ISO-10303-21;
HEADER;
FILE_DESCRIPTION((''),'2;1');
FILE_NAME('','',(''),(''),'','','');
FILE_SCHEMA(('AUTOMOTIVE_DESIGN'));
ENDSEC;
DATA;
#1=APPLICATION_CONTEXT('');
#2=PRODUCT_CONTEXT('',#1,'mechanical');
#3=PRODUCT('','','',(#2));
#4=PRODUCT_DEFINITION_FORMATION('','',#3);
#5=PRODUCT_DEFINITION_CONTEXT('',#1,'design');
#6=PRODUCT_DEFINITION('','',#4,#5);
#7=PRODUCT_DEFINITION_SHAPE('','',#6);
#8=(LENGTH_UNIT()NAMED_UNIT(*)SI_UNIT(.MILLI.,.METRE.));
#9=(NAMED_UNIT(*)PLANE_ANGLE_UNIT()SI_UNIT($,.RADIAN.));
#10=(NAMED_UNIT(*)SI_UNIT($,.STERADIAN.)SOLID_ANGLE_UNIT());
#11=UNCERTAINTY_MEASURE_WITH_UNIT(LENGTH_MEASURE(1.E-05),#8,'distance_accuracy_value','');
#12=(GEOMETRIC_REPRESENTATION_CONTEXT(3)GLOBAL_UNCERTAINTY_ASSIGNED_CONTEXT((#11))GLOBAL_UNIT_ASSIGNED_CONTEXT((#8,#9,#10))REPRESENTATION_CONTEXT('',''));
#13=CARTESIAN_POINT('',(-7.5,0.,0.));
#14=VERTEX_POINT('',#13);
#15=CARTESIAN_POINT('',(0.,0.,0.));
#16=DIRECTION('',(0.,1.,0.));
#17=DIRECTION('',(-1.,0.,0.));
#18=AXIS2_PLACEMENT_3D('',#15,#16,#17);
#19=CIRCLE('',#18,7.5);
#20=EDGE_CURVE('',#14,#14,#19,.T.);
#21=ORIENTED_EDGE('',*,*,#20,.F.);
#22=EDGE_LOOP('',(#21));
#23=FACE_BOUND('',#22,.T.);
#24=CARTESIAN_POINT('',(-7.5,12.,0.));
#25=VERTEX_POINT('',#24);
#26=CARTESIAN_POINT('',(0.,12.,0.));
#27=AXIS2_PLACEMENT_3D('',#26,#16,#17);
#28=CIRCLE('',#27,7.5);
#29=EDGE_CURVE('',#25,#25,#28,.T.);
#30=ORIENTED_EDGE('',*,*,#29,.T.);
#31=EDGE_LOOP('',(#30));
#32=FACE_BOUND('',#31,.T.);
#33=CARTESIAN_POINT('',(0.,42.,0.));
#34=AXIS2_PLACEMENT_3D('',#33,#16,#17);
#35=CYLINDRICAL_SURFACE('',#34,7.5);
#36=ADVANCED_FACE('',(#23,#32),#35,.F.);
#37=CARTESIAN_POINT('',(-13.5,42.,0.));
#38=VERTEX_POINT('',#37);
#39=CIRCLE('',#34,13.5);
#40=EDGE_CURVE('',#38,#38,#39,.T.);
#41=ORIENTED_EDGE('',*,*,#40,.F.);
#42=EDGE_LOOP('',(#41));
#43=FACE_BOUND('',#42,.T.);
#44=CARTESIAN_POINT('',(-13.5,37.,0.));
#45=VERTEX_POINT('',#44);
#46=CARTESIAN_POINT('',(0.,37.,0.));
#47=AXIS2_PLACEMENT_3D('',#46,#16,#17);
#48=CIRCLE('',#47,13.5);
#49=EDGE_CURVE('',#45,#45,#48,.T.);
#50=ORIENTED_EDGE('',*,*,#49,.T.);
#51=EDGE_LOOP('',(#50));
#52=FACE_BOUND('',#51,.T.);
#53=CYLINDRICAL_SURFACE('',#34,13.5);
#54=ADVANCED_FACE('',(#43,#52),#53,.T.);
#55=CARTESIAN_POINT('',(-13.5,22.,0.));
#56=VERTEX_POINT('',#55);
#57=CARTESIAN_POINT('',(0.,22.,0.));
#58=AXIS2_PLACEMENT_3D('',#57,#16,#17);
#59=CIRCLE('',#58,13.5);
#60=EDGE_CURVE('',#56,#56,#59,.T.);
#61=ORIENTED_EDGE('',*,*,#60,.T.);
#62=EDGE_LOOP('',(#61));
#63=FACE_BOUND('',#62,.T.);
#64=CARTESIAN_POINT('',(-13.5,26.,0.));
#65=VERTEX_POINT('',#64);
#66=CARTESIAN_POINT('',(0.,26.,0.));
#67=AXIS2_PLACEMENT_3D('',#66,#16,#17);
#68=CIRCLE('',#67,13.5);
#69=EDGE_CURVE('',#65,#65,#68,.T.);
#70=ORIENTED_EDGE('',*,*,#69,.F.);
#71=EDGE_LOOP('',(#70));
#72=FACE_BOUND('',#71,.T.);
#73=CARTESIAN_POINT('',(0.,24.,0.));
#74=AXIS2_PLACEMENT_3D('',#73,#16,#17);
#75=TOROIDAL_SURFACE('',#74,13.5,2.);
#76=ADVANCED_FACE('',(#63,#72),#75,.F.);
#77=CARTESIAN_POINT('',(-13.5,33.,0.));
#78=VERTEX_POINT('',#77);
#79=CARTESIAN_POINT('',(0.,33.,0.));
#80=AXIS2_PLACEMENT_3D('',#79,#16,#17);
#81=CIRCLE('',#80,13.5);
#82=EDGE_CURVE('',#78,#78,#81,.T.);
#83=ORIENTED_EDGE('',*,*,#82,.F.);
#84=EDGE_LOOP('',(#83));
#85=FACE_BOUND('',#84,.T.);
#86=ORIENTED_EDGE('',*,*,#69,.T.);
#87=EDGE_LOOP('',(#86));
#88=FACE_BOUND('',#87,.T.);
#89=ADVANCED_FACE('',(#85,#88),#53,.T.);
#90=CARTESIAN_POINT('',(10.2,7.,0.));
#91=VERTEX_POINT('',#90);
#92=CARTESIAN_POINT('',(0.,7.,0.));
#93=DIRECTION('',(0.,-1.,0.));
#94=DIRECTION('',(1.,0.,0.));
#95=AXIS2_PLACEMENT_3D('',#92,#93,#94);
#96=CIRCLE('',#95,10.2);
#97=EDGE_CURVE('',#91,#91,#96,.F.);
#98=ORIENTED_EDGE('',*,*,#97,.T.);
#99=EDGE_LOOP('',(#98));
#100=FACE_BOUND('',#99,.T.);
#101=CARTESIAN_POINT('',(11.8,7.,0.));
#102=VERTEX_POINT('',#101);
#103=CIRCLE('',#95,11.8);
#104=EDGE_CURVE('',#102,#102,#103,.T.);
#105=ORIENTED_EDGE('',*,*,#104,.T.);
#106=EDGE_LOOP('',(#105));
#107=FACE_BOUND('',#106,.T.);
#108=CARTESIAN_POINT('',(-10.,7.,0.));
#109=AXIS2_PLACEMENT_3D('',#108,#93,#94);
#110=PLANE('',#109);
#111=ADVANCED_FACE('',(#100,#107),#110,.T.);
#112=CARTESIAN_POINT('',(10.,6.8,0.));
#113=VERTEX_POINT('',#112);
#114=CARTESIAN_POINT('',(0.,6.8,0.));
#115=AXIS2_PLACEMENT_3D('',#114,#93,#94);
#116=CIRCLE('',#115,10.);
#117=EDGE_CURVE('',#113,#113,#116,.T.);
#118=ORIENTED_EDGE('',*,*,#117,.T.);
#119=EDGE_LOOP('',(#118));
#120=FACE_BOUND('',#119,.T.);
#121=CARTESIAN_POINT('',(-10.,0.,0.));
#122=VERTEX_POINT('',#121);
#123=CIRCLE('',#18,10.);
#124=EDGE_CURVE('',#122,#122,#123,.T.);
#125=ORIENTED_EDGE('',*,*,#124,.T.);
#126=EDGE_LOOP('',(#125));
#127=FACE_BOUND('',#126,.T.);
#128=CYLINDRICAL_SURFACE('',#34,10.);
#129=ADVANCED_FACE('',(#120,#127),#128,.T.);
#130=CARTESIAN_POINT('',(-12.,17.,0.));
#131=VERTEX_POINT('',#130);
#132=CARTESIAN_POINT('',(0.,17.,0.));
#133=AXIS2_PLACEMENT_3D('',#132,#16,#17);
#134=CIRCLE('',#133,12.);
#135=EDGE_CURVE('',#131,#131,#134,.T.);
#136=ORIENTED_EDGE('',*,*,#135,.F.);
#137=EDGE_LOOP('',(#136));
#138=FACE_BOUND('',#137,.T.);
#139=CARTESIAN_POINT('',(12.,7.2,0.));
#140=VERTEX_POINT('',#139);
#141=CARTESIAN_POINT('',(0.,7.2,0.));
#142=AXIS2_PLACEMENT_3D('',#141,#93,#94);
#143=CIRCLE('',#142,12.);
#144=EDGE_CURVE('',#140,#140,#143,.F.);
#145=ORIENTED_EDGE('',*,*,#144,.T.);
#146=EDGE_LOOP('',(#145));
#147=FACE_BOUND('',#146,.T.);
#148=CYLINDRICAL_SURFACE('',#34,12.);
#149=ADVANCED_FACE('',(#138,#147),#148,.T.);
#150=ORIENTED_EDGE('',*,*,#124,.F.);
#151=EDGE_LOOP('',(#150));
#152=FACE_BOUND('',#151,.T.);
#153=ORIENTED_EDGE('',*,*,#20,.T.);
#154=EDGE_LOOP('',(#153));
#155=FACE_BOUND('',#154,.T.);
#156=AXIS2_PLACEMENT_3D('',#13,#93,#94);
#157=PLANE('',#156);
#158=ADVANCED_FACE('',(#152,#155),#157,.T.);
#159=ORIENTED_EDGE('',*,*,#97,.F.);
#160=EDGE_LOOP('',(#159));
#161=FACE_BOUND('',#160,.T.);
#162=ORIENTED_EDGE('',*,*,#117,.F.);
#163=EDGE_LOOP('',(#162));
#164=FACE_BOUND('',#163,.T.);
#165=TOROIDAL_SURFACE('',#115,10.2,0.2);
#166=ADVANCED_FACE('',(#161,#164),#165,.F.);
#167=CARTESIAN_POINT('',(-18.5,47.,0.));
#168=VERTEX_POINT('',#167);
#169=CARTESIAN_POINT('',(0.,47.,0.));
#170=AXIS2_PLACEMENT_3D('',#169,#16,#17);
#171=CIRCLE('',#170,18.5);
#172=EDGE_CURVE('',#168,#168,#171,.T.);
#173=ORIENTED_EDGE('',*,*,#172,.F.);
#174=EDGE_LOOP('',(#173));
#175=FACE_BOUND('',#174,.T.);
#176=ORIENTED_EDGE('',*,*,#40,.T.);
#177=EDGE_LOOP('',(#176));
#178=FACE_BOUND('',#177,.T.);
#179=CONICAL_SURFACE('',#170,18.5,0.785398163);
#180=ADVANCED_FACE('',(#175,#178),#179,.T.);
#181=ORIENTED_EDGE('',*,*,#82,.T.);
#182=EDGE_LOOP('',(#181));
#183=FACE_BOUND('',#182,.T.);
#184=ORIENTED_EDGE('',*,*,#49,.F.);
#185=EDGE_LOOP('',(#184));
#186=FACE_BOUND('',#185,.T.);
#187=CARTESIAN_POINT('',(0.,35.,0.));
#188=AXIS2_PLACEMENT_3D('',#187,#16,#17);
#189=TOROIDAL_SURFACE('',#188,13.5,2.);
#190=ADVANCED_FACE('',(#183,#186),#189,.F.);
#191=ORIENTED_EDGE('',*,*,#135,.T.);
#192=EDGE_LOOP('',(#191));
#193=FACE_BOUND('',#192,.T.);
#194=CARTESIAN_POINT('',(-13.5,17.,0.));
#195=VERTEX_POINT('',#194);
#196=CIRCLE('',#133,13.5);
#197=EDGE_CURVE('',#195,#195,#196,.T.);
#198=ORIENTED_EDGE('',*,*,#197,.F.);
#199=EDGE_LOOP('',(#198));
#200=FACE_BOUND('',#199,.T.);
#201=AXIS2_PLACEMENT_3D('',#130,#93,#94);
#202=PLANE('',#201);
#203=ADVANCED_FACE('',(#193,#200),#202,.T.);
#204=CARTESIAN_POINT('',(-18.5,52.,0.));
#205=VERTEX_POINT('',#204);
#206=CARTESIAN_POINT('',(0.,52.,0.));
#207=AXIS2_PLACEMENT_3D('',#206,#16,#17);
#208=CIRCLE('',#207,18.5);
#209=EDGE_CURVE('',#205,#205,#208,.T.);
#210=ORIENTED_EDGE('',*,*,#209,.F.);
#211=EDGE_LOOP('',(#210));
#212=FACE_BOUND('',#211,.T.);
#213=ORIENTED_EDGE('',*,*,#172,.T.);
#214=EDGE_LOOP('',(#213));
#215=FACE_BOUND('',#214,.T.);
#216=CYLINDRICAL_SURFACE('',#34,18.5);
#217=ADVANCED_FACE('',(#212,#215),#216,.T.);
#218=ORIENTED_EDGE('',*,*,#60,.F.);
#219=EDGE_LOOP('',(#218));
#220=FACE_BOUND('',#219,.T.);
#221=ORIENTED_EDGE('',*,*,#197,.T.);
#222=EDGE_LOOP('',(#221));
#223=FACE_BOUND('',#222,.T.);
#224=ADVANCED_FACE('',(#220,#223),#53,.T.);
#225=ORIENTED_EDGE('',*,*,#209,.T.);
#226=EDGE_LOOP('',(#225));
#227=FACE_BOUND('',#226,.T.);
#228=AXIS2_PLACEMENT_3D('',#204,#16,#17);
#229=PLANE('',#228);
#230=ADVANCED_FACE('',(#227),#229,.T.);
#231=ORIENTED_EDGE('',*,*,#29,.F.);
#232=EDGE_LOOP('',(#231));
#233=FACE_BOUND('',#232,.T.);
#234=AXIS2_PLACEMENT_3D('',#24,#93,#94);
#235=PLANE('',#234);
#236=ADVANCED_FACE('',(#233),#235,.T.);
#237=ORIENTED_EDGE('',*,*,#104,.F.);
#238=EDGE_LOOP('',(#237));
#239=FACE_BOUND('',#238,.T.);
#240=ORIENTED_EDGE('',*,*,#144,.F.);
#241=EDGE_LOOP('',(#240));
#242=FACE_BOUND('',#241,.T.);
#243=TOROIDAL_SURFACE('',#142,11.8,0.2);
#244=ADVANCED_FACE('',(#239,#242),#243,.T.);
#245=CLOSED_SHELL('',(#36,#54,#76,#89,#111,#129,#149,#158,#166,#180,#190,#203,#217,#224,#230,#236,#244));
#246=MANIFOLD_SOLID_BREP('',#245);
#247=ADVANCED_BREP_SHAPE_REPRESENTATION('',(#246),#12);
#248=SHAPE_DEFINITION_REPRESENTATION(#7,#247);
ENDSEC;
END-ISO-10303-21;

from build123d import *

# Parameters (mm, degrees)
CONG_3_R = 0.2


with BuildPart() as part:
    # Esquisse1 → Révolution1 (revolve)
    with BuildSketch(Plane.XY):
        with BuildLine():
            Line((-7.5, 0), (-10, 0))
            Line((-10, 0), (-10, 7))
            Line((-10, 7), (-12, 7))
            Line((-12, 7), (-12, 17))
            Line((-12, 17), (-13.5, 17))
            Line((-13.5, 17), (-13.5, 22))
            ThreePointArc((-13.5, 22), (-11.5, 24), (-13.5, 26))
            Line((-13.5, 26), (-13.5, 33))
            ThreePointArc((-13.5, 33), (-11.5, 35), (-13.5, 37))
            Line((-13.5, 37), (-13.5, 42))
            Line((-13.5, 42), (-18.5, 47))
            Line((-18.5, 47), (-18.5, 52))
            Line((-18.5, 52), (0, 52))
            Line((0, 52), (0, 42))
            Line((0, 42), (0, 12))
            Line((0, 12), (-7.5, 12))
            Line((-7.5, 12), (-7.5, 0))
        make_face()
    revolve(axis=Axis((0, 42, 0), (0, -1, 0)))

    # Congé3
    cong_3_edges = [part.edges().sort_by_distance(p)[0] for p in [
        (12, 7, 0),
        (10, 7, 0),
    ]]
    fillet(cong_3_edges, radius=CONG_3_R)


solid = part.part
